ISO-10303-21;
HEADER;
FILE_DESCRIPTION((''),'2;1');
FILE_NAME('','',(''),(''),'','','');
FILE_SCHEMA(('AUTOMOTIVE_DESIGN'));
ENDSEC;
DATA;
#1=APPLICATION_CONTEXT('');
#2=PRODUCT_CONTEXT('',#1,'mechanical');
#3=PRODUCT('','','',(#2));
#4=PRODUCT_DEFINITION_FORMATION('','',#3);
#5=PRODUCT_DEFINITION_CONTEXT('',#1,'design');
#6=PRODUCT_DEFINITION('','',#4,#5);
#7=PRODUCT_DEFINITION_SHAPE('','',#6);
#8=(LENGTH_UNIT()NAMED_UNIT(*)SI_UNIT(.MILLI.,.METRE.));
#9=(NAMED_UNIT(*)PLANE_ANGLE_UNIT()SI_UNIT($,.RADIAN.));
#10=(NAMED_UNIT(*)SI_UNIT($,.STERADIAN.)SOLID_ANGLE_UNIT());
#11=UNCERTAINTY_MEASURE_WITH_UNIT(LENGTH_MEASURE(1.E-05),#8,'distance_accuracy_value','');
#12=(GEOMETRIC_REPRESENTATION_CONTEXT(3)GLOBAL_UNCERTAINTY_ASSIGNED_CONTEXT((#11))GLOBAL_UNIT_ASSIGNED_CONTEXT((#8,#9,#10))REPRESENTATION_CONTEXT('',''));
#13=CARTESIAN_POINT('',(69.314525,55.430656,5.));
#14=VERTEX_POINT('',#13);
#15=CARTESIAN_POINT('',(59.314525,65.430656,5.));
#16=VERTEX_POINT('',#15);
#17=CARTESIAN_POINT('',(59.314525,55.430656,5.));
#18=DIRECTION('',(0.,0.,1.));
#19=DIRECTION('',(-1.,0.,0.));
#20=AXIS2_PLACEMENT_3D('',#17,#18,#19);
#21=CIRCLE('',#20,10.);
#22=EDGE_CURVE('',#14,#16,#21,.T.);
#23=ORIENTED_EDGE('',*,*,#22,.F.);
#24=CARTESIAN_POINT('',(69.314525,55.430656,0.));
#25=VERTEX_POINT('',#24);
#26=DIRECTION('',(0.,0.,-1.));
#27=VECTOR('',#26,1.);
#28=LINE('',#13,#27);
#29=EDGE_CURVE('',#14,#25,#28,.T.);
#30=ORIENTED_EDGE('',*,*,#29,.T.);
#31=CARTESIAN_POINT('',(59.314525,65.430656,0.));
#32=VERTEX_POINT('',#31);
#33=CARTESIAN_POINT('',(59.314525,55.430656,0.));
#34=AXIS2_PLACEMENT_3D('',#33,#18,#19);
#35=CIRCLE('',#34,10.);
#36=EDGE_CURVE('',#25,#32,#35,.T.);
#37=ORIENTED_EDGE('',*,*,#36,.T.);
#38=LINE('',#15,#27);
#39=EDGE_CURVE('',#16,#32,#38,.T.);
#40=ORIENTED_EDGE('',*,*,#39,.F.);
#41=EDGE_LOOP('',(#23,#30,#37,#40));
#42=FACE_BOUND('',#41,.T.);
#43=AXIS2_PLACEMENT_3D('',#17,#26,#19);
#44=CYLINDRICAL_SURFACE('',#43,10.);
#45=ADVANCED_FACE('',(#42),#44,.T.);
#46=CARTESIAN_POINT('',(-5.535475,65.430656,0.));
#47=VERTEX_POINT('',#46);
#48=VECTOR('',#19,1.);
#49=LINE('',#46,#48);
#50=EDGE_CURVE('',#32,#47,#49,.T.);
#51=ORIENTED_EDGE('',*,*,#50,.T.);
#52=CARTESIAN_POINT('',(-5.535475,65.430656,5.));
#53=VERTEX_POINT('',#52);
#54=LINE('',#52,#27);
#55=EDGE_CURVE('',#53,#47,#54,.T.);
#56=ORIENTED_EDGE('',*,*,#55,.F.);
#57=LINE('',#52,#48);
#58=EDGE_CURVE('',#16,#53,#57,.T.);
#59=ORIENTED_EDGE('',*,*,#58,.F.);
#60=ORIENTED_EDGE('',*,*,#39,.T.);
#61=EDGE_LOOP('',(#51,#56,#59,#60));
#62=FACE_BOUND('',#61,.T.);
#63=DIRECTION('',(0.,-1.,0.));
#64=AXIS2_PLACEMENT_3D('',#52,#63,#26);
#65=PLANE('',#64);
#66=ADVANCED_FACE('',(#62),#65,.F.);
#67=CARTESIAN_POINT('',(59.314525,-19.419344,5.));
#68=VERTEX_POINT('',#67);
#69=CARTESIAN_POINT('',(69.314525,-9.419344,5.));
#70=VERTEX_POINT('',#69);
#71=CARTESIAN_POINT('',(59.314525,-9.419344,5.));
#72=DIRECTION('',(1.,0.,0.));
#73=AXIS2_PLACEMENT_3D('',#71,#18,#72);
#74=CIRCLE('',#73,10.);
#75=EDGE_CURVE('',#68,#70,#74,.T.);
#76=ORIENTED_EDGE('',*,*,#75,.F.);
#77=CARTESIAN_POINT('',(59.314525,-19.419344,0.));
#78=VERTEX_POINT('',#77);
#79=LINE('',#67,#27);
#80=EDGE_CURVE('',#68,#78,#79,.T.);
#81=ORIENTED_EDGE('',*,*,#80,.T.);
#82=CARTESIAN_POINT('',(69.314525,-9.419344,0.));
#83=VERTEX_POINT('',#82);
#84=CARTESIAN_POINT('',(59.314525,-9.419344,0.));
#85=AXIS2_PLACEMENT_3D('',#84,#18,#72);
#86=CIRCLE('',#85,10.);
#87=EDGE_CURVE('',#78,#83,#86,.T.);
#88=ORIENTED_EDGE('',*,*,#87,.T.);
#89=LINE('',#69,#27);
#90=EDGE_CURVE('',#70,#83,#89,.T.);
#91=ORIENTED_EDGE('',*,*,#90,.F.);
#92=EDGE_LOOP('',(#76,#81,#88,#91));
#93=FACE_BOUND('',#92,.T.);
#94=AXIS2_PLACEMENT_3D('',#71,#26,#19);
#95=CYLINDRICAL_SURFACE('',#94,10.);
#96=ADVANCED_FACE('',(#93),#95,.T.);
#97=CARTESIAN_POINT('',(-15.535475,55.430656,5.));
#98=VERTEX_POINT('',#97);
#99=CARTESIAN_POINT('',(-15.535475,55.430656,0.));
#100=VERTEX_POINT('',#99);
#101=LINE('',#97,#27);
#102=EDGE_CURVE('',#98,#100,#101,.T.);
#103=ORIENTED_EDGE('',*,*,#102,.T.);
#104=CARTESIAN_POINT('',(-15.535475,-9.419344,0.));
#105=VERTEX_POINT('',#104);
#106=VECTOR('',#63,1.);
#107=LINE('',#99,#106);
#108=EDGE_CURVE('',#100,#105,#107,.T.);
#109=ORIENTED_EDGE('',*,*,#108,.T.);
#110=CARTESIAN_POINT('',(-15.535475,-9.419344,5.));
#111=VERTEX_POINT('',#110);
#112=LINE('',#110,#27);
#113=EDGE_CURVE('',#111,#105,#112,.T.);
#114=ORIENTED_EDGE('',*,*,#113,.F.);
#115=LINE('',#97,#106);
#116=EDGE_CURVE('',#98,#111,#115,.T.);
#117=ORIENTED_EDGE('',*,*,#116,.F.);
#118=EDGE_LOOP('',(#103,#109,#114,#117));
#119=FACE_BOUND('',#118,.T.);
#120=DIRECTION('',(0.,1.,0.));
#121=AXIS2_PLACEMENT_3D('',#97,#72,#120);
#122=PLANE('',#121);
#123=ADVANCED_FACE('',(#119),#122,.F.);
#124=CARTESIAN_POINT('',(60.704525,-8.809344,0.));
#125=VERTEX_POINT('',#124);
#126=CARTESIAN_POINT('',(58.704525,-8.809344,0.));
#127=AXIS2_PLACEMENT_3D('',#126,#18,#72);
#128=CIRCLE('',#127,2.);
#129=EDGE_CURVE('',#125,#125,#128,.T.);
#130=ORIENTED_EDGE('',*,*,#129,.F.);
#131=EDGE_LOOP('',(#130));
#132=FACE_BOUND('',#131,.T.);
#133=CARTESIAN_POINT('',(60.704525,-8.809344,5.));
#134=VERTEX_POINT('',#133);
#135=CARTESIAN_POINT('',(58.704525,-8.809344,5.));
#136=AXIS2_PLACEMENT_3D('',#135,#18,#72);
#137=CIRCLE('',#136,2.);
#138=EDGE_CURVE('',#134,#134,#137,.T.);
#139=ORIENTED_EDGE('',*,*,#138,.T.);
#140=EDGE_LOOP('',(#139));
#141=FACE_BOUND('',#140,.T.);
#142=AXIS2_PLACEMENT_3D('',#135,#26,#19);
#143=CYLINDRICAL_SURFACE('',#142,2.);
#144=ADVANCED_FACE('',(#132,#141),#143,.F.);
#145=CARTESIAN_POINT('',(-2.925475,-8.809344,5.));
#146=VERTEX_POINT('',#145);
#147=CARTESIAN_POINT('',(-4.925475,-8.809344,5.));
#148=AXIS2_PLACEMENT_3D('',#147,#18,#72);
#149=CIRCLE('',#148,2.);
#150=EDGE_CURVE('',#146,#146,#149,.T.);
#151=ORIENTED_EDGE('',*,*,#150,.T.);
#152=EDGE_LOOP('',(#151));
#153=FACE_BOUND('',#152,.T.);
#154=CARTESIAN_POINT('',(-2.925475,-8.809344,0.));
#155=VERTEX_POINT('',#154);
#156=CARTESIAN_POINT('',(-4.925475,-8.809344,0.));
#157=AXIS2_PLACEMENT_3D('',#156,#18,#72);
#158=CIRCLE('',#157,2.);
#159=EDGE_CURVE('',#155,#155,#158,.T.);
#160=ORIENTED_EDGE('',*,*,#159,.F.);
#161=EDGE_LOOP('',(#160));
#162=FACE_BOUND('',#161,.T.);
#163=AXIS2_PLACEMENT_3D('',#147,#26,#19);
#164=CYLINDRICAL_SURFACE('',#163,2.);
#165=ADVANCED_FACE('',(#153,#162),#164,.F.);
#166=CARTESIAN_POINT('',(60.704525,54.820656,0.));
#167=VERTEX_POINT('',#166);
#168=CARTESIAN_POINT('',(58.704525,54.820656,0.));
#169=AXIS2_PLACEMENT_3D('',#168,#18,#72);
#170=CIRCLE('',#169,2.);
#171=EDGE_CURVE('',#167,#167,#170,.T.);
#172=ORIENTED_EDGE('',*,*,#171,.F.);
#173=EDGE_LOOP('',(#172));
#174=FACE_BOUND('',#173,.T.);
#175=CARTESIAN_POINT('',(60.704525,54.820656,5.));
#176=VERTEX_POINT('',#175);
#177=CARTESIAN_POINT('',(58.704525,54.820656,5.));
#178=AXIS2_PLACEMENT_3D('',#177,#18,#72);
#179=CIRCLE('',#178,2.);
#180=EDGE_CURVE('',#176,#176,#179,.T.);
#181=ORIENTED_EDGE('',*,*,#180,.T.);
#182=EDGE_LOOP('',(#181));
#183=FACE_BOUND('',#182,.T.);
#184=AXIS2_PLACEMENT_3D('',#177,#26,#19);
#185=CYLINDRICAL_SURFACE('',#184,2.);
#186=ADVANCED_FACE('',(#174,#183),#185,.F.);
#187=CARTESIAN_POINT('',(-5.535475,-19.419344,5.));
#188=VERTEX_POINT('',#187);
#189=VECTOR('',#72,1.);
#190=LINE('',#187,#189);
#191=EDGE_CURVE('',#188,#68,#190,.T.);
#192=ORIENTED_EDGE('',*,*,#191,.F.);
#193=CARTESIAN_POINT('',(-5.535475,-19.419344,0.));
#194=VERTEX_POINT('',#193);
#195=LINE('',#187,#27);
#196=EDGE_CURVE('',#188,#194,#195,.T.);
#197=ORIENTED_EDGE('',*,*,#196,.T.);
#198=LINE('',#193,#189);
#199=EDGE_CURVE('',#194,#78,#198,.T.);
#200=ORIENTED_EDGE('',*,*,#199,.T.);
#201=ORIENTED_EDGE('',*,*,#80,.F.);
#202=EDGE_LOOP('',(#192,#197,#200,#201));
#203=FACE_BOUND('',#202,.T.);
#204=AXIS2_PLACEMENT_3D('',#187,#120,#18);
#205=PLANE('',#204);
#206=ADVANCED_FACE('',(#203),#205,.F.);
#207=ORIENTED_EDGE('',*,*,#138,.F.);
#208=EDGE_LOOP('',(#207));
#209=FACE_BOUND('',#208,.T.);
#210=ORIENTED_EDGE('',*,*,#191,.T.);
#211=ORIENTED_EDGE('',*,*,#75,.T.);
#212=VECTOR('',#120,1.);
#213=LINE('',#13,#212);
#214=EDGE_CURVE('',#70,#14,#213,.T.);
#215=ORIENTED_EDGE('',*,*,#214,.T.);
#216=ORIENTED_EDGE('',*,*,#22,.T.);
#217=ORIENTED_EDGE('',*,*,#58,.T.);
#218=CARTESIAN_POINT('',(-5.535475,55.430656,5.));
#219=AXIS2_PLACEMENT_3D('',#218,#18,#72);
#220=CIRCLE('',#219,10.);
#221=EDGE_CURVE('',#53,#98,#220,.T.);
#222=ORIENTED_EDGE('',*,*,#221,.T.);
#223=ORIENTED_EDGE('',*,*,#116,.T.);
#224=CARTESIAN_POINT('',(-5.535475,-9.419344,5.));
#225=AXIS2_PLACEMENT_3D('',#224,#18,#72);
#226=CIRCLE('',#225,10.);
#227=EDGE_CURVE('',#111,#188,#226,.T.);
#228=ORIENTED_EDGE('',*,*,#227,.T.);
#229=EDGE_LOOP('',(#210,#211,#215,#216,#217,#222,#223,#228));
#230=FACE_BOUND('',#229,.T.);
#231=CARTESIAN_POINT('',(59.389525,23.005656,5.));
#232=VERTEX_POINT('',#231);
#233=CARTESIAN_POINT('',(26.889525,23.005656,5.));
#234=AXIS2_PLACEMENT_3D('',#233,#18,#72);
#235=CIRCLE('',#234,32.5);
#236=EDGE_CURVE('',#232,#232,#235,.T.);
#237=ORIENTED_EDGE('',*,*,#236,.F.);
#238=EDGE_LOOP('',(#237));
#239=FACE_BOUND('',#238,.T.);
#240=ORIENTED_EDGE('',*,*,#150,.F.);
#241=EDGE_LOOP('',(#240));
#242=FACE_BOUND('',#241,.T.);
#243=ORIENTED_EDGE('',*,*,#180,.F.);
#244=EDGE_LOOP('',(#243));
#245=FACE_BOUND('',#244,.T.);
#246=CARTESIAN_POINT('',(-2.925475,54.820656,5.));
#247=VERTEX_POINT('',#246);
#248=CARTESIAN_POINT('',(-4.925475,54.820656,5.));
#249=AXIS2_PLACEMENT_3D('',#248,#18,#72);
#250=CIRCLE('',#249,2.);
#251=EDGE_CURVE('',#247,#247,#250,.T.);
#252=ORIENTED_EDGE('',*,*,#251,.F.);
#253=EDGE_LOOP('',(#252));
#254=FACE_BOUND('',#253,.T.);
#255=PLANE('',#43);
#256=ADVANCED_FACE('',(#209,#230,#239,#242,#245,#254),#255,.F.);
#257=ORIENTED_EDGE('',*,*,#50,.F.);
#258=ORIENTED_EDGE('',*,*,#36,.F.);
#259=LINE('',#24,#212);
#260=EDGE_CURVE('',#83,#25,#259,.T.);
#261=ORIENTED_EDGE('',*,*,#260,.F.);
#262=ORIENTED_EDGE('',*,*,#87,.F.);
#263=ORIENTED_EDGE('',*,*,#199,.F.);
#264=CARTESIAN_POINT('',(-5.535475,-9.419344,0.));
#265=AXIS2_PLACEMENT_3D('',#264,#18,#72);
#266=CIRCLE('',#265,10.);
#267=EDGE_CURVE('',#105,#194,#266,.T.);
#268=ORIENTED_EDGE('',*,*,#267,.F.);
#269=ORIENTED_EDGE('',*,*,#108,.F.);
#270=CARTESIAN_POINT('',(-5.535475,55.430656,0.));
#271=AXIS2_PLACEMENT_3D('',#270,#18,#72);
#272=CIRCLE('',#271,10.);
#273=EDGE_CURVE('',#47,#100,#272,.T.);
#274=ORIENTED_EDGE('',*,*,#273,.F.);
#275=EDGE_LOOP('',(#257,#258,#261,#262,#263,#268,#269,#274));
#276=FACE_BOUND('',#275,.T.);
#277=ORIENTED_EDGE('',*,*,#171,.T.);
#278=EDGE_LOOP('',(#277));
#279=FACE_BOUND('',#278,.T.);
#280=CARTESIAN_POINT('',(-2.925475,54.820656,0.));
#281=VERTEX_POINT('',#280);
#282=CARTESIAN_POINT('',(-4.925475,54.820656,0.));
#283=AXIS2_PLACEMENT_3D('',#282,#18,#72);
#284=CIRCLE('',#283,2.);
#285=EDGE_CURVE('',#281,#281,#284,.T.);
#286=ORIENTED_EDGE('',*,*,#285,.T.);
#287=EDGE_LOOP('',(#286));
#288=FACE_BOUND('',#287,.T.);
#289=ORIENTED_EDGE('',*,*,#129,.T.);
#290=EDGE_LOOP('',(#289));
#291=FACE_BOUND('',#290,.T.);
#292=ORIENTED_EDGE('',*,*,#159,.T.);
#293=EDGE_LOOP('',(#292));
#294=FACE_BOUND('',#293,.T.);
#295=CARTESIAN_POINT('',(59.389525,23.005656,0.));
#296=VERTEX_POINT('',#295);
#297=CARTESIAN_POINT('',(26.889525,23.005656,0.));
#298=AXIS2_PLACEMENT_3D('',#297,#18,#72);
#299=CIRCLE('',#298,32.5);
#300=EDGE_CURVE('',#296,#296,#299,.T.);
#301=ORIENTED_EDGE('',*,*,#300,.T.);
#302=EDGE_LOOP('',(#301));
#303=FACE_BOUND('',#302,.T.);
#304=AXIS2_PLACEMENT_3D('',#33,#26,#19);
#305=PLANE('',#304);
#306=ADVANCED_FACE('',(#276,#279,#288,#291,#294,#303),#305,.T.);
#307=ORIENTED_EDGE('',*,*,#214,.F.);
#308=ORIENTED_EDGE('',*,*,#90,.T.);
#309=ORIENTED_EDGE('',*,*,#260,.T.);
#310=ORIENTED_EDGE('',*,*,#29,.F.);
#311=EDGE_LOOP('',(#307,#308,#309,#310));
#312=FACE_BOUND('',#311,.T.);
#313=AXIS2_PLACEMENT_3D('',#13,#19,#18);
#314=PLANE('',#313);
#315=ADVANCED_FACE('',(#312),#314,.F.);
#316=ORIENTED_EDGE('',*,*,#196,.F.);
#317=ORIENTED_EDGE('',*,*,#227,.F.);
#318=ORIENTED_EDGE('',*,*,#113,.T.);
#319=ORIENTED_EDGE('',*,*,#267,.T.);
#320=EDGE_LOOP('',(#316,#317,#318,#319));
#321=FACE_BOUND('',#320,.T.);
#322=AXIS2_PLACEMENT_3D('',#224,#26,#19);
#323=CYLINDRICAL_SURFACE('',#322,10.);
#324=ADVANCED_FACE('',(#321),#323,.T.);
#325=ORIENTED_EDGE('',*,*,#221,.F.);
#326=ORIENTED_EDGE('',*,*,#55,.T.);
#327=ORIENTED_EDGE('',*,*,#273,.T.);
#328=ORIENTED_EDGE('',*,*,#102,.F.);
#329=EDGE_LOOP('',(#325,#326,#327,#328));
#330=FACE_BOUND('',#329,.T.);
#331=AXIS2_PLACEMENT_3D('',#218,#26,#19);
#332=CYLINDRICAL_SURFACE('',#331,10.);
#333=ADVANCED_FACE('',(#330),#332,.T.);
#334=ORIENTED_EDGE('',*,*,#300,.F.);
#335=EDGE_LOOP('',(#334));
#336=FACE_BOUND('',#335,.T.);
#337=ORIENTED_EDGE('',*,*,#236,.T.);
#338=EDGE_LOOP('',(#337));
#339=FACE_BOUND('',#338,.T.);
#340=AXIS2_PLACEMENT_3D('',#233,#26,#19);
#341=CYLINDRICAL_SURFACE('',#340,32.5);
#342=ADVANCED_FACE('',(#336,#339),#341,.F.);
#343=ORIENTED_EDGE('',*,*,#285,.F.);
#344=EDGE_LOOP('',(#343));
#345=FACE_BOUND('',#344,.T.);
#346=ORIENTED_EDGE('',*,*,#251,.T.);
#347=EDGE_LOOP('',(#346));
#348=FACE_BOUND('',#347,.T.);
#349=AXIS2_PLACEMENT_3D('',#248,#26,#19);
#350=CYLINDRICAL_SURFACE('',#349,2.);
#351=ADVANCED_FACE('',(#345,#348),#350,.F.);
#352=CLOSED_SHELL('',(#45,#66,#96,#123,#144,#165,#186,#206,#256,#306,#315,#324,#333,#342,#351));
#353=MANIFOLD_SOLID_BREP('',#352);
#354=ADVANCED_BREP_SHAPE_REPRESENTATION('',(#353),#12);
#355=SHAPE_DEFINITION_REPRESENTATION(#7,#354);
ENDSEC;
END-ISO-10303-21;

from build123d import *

# Parameters (mm, degrees)
SKETCH1_R           = 32.5
SKETCH1_R_2         = 2
BOSS_EXTRUDE2_DEPTH = 5


with BuildPart() as part:
    # Sketch1 → Boss-Extrude2 (new body)
    with BuildSketch(Plane.XY):
        with BuildLine():
            Line((-5.535475367, 65.430655792), (59.314524633, 65.430655792))
            ThreePointArc((59.314524633, 65.430655792), (66.385592445, 62.501723604), (69.314524633, 55.430655792))
            Line((69.314524633, 55.430655792), (69.314524633, -9.419344208))
            ThreePointArc((69.314524633, -9.419344208), (66.385592445, -16.49041202), (59.314524633, -19.419344208))
            Line((59.314524633, -19.419344208), (-5.535475367, -19.419344208))
            ThreePointArc((-5.535475367, -19.419344208), (-12.606543178, -16.49041202), (-15.535475367, -9.419344208))
            Line((-15.535475367, -9.419344208), (-15.535475367, 55.430655792))
            ThreePointArc((-15.535475367, 55.430655792), (-12.606543178, 62.501723604), (-5.535475367, 65.430655792))
        make_face()
        with Locations((26.889524633, 23.005655792)):
            Circle(SKETCH1_R, mode=Mode.SUBTRACT)
        with Locations((-4.925475367, 54.820655792)):
            Circle(SKETCH1_R_2, mode=Mode.SUBTRACT)
        with Locations((-4.925475367, -8.809344208)):
            Circle(SKETCH1_R_2, mode=Mode.SUBTRACT)
        with Locations((58.704524633, 54.820655792)):
            Circle(SKETCH1_R_2, mode=Mode.SUBTRACT)
        with Locations((58.704524633, -8.809344208)):
            Circle(SKETCH1_R_2, mode=Mode.SUBTRACT)
    extrude(amount=BOSS_EXTRUDE2_DEPTH)


solid = part.part
